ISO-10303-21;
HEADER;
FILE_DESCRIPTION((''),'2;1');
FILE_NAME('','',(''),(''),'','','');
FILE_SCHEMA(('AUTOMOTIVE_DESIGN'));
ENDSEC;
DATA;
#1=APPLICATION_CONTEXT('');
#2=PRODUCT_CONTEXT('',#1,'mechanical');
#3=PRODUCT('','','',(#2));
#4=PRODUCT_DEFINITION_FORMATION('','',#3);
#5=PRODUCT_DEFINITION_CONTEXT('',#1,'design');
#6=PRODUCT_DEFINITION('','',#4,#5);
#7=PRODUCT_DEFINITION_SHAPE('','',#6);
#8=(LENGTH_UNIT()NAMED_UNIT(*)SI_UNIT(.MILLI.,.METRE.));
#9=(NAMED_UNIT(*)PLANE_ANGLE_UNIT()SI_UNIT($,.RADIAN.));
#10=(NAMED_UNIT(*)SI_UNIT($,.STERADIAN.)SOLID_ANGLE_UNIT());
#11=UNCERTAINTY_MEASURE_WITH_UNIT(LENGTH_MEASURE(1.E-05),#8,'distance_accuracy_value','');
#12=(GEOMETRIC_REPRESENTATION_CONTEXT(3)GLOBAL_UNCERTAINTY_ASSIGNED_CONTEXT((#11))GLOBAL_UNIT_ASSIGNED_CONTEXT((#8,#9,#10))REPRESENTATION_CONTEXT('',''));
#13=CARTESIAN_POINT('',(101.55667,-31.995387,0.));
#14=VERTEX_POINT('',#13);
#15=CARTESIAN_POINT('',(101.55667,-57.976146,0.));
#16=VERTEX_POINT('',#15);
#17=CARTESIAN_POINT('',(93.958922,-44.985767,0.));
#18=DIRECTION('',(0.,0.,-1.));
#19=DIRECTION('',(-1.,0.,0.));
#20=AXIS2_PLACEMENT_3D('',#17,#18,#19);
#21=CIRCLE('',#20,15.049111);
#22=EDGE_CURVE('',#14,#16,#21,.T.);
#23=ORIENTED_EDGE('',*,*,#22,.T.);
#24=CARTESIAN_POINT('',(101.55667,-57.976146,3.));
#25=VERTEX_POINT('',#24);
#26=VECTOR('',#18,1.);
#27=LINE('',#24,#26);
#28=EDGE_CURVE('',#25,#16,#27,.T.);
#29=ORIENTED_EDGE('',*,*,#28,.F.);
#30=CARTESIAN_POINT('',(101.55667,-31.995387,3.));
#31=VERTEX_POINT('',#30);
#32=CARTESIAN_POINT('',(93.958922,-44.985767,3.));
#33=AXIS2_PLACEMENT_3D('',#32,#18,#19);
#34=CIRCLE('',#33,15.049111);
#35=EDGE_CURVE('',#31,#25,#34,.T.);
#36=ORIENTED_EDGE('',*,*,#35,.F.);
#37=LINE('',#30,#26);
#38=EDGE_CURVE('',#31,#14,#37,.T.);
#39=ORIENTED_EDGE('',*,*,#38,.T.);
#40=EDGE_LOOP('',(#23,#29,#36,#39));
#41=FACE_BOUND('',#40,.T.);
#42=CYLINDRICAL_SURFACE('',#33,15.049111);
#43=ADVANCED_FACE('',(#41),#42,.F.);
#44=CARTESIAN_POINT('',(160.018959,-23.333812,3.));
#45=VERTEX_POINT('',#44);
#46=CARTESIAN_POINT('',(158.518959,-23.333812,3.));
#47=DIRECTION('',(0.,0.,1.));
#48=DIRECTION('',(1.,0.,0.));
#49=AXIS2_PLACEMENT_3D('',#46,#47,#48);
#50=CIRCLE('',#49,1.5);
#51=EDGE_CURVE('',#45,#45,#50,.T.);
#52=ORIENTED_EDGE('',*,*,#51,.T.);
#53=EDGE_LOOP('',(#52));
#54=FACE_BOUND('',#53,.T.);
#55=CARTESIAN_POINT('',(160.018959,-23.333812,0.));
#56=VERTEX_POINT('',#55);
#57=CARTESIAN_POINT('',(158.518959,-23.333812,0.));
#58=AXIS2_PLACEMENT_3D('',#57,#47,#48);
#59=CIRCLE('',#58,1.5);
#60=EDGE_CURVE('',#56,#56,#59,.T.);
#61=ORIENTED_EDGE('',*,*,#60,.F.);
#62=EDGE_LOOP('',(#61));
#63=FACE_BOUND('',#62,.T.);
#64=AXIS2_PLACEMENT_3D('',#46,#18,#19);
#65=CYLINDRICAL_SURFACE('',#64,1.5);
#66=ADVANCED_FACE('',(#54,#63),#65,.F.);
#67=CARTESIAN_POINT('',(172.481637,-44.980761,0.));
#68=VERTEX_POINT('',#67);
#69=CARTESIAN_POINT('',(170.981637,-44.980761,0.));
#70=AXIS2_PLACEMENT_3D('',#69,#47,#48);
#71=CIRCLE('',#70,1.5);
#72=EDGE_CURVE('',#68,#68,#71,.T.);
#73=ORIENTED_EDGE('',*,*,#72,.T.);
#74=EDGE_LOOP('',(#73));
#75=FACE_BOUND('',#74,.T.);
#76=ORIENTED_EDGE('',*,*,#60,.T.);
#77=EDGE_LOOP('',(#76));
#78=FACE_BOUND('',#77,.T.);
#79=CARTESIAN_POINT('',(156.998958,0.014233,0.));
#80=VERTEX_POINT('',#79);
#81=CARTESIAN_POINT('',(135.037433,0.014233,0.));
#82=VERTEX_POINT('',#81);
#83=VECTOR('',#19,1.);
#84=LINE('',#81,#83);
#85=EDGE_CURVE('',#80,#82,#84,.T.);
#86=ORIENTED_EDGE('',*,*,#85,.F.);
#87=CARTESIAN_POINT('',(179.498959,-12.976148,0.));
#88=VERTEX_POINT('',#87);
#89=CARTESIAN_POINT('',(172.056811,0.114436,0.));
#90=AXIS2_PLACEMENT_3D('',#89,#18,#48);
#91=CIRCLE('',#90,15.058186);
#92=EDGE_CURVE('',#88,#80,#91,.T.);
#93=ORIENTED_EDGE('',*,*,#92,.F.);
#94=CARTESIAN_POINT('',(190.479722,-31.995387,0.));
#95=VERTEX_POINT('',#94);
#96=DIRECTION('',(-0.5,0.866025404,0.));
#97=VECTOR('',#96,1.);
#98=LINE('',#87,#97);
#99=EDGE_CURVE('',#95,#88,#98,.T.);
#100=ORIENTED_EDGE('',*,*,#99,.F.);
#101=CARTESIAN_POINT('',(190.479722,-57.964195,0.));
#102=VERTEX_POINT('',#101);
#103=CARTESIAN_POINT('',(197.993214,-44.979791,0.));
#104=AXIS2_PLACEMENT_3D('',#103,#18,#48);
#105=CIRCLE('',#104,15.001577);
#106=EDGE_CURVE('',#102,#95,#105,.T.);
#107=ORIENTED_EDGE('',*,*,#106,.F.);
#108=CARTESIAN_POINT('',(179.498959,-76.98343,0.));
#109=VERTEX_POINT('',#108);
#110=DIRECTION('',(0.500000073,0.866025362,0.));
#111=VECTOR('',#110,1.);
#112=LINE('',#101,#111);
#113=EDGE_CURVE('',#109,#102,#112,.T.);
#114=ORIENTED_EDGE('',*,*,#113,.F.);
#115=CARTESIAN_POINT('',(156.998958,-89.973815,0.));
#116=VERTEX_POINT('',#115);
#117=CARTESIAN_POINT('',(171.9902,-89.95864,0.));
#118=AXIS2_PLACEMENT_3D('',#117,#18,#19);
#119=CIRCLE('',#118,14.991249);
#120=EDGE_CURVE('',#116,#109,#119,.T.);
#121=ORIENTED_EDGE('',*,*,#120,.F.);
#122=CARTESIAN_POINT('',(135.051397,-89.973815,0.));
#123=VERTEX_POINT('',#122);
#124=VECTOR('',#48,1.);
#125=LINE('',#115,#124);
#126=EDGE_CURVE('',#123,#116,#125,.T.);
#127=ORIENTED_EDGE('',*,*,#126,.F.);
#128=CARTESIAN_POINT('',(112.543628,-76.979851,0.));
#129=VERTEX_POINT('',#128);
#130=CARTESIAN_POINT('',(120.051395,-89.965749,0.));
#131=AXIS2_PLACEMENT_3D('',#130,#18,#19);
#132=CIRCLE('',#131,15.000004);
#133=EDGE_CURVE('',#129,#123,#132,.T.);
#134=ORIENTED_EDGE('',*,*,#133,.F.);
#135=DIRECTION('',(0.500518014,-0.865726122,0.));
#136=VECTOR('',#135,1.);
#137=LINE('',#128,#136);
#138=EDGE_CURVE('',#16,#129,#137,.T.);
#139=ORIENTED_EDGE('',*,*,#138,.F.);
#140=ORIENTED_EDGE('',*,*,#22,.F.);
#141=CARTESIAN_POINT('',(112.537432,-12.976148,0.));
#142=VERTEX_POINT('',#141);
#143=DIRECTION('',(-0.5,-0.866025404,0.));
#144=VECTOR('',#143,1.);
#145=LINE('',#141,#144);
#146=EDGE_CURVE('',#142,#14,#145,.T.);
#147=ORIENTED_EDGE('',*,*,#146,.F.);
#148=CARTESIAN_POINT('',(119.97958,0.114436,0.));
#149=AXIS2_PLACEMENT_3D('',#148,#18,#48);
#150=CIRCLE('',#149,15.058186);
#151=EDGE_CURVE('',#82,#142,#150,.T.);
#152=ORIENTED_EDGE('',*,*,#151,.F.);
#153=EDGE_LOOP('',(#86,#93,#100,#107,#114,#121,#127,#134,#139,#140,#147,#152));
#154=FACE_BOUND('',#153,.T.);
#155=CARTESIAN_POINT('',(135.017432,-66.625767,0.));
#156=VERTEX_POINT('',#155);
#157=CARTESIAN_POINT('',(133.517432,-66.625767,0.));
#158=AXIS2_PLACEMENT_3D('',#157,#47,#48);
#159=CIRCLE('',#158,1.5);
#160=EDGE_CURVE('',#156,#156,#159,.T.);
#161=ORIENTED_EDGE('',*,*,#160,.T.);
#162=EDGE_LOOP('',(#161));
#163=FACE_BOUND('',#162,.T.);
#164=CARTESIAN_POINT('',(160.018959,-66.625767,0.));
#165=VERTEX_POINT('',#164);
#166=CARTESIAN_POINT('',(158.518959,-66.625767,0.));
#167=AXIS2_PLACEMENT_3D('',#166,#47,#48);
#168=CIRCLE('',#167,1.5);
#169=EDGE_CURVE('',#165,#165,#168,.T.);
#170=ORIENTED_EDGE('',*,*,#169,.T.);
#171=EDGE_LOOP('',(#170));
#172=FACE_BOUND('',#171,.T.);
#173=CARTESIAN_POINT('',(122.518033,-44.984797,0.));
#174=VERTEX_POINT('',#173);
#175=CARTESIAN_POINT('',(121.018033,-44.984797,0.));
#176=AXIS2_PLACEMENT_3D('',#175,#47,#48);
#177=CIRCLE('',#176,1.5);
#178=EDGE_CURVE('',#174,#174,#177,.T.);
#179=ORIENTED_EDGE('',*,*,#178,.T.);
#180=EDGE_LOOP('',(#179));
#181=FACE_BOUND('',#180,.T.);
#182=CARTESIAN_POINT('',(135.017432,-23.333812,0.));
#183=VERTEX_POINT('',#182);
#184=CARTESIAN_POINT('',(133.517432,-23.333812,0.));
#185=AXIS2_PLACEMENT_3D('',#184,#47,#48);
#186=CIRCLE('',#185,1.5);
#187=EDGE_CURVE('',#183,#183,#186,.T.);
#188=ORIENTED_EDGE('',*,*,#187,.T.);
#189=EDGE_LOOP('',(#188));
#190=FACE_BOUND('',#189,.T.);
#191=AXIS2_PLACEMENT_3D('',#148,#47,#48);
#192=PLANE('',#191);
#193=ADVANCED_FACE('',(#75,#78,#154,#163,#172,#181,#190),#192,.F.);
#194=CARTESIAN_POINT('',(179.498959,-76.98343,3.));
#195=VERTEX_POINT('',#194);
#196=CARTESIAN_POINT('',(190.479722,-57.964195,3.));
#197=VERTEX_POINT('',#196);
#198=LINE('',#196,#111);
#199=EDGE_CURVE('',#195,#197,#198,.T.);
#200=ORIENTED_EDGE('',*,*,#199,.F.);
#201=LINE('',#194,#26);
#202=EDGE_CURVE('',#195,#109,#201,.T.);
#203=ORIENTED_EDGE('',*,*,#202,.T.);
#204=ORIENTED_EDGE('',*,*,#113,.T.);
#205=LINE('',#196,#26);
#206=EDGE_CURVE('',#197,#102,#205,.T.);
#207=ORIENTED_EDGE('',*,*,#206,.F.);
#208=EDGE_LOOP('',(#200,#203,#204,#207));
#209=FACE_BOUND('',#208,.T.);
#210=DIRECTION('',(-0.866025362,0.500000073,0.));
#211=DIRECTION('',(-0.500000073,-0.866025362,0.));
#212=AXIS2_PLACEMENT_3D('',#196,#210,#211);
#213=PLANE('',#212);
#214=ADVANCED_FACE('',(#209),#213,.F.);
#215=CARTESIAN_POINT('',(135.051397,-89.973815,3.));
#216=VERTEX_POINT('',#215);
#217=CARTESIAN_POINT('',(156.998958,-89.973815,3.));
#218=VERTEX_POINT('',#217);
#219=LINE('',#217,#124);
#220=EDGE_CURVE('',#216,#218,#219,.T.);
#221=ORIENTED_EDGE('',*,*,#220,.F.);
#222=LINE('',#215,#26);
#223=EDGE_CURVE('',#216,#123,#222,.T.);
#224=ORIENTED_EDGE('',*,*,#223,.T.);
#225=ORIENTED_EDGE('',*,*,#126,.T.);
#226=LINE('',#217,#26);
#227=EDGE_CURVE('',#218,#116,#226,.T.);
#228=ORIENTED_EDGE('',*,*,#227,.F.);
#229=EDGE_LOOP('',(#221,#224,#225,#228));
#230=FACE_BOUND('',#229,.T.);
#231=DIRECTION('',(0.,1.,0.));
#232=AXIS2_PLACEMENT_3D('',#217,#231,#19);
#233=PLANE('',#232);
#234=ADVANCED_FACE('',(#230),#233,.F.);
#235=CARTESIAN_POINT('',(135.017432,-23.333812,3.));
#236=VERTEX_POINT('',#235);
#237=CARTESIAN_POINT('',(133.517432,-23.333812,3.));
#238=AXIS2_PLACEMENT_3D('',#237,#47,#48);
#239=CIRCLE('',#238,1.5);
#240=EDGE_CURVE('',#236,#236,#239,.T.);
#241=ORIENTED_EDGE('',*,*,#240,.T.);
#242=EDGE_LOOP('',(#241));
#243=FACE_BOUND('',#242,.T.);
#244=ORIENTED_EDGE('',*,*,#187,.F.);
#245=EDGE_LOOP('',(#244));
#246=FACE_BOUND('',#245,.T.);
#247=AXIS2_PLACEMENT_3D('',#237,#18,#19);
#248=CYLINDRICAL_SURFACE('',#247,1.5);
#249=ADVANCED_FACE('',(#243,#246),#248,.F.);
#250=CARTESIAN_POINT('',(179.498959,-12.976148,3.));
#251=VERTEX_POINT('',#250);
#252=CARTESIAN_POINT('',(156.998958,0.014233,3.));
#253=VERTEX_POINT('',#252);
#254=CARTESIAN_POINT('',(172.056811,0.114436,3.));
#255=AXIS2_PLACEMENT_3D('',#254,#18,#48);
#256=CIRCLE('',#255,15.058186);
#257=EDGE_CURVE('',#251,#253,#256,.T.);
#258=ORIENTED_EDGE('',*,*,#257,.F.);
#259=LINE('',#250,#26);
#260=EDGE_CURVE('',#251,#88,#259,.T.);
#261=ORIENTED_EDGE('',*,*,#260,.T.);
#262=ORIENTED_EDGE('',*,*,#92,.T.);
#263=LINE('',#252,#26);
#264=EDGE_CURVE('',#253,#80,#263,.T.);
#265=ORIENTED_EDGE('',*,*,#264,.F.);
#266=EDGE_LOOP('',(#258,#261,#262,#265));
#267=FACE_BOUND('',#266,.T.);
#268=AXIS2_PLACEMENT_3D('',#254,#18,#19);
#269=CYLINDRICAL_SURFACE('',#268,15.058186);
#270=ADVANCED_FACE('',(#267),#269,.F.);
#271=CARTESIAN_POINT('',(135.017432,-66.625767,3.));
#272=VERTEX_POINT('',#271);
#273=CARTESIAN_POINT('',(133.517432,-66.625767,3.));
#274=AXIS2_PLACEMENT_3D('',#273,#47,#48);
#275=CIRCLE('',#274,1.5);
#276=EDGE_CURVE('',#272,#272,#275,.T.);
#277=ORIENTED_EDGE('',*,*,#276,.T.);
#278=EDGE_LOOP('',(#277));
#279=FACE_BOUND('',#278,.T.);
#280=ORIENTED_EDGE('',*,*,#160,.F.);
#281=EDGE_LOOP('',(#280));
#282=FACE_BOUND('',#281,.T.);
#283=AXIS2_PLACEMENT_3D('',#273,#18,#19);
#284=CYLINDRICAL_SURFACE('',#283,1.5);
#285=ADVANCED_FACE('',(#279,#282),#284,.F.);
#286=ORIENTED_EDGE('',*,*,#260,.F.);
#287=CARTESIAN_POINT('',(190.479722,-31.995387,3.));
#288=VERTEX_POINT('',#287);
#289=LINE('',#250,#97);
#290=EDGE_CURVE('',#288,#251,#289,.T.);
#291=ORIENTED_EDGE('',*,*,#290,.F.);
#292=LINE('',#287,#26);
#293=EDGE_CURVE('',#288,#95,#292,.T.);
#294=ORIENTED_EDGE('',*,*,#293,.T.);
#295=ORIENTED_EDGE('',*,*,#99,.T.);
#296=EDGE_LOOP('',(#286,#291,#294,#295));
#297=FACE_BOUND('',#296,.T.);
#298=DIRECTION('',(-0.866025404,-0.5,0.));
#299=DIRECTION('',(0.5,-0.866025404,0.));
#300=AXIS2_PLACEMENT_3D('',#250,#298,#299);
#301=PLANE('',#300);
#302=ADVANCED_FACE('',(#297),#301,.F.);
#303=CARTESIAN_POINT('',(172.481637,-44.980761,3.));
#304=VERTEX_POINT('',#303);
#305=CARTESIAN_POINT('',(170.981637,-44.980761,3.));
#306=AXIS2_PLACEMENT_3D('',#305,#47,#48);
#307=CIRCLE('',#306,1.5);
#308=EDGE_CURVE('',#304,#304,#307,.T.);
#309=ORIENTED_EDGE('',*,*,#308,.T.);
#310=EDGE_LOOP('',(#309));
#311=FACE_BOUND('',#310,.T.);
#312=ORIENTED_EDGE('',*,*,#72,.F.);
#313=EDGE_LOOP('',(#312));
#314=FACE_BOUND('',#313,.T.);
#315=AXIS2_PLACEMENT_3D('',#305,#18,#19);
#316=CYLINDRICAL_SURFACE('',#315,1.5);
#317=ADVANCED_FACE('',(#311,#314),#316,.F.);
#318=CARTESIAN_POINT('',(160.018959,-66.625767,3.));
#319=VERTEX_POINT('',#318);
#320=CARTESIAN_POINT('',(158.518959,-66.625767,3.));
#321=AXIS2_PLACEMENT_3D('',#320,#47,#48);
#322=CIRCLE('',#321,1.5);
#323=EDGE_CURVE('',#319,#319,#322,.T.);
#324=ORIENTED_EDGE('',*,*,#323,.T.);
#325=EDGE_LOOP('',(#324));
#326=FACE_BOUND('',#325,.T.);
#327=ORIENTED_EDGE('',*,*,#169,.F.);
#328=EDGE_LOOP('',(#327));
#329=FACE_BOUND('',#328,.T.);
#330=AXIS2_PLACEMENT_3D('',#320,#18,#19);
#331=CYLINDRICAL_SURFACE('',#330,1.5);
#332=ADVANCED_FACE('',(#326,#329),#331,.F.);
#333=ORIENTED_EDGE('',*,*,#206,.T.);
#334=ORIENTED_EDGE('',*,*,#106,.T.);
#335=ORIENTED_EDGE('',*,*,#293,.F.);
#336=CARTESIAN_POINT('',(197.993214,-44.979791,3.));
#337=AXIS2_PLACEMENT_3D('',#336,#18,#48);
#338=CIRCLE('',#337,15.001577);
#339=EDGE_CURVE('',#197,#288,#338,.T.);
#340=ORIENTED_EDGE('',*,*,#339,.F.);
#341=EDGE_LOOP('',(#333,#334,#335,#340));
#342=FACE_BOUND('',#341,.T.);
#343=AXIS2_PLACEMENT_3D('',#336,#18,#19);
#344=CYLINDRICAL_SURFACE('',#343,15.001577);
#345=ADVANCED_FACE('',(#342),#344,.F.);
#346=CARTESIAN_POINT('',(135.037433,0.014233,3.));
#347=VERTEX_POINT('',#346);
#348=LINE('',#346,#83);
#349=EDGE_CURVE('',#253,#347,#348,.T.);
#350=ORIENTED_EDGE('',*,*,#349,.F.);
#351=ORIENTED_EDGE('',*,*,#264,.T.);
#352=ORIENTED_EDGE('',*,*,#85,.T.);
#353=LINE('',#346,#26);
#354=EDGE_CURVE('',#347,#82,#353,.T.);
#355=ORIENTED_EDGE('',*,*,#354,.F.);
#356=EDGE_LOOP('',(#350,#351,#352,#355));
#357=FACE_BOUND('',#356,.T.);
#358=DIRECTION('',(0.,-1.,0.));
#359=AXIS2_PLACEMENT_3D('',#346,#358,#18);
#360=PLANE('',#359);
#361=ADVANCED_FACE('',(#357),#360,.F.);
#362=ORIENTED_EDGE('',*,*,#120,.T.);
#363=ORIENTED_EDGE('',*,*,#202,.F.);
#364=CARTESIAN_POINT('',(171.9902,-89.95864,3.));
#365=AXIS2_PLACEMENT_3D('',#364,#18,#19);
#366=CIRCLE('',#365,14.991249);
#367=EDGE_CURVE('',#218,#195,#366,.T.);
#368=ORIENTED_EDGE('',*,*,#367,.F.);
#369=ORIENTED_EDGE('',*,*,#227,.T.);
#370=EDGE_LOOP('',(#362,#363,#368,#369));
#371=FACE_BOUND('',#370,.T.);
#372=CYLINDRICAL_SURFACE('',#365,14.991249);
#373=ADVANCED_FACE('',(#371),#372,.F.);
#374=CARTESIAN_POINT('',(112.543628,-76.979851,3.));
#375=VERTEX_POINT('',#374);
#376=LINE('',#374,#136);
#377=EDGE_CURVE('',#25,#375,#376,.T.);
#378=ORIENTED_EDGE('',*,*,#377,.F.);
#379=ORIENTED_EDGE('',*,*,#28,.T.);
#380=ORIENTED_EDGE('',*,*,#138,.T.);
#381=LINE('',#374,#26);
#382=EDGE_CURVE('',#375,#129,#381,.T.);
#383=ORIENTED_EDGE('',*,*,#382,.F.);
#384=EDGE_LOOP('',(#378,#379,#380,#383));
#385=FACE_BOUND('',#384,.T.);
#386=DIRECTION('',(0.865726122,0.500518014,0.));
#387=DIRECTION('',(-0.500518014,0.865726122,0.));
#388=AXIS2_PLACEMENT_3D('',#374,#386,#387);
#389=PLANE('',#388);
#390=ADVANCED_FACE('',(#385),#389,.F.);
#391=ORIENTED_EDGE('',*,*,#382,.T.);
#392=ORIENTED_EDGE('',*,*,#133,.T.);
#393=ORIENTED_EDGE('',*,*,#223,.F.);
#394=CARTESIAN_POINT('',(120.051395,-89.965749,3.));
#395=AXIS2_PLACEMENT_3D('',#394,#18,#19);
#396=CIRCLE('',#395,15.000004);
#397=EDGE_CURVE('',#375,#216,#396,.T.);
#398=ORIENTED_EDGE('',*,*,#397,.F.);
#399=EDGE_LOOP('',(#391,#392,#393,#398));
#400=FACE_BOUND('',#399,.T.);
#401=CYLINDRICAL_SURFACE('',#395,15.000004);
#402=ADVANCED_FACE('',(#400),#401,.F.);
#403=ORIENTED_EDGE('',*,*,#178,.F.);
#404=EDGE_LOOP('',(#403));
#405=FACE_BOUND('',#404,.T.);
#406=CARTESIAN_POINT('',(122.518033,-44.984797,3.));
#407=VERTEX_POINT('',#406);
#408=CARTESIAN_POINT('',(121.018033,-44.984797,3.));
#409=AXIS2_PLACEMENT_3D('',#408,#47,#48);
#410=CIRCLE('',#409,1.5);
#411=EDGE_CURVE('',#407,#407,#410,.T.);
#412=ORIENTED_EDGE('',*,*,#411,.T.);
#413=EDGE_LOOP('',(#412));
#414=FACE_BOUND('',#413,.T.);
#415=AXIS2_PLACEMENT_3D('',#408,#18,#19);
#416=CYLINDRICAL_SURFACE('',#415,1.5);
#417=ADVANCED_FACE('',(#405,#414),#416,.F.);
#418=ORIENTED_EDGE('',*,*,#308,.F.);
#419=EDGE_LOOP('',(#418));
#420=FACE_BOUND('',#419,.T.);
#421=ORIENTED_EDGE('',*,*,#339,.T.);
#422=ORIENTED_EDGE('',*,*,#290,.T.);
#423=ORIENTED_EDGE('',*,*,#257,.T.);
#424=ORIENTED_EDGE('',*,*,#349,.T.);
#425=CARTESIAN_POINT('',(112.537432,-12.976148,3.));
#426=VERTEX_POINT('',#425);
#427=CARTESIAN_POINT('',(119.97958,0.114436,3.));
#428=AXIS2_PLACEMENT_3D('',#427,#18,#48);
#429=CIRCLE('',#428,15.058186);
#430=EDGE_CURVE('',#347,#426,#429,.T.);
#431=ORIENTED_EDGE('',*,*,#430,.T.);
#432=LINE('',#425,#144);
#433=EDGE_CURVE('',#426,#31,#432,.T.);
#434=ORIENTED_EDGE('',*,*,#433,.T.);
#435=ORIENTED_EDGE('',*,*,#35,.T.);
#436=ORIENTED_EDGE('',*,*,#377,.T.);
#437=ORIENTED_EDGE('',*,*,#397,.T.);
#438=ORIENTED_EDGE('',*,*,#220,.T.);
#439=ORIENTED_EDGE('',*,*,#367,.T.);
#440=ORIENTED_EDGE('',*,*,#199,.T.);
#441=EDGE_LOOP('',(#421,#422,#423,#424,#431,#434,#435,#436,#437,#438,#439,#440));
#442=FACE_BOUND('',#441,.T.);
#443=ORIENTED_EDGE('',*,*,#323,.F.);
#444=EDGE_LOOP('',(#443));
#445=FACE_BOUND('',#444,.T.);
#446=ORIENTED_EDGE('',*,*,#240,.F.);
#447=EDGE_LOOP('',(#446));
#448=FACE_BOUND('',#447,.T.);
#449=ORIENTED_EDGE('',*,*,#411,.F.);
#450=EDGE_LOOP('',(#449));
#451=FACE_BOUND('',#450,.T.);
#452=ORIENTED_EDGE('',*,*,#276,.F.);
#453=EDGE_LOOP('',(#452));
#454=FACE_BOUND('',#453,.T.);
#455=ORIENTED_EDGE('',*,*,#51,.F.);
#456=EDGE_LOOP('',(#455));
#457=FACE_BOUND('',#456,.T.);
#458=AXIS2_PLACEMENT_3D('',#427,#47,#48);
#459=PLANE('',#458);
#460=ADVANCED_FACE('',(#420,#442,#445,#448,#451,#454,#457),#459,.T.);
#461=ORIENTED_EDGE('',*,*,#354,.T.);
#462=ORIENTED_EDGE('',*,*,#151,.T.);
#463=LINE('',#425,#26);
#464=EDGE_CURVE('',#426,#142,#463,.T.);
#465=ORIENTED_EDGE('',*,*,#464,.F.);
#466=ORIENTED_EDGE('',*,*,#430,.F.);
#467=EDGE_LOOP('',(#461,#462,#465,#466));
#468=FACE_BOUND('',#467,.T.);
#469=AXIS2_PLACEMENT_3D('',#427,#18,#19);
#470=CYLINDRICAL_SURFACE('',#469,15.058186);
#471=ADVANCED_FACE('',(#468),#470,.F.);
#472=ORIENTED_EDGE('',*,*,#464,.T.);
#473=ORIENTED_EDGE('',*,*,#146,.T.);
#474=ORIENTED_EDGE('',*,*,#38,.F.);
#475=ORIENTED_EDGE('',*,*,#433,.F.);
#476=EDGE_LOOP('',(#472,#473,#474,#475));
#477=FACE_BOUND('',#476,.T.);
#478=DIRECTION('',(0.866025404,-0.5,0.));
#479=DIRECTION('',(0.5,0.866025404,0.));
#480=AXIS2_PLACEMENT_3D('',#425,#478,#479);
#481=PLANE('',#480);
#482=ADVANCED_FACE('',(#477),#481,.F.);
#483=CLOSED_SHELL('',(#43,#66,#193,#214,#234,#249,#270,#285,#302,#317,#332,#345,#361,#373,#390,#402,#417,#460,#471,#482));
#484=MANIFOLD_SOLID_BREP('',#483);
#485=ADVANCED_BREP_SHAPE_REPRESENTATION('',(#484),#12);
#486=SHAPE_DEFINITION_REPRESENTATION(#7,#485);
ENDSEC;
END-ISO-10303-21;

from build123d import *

# Parameters (mm, degrees)
SKETCH1_R           = 1.5
BOSS_EXTRUDE2_DEPTH = 3


with BuildPart() as part:
    # Sketch1 → Boss-Extrude2 (new body)
    with BuildSketch(Plane.XY):
        with BuildLine():
            Line((112.537432292, -12.976148301), (101.55666974, -31.995386946))
            ThreePointArc((101.55666974, -31.995386946), (109.008032648, -44.985766658), (101.55666973, -57.976146364))
            Line((101.55666973, -57.976146364), (112.543627726, -76.979851074))
            ThreePointArc((112.543627726, -76.979851074), (127.551006282, -76.975139288), (135.051396662, -89.973815277))
            Line((135.051396662, -89.973815277), (156.998958278, -89.973815277))
            ThreePointArc((156.998958278, -89.973815277), (164.494573478, -76.975838492), (179.498959173, -76.983429983))
            Line((179.498959173, -76.983429983), (190.479721714, -57.964195058))
            ThreePointArc((190.479721714, -57.964195058), (182.991636989, -44.979791002), (190.479721714, -31.995386946))
            Line((190.479721714, -31.995386946), (179.498959162, -12.976148301))
            ThreePointArc((179.498959162, -12.976148301), (164.527718005, -12.926335496), (156.998958268, 0.014233268))
            Line((156.998958268, 0.014233268), (135.037433186, 0.014233268))
            ThreePointArc((135.037433186, 0.014233268), (127.508673453, -12.926335503), (112.537432292, -12.976148301))
        make_face()
        with Locations((133.517432282, -23.333812148)):
            Circle(SKETCH1_R, mode=Mode.SUBTRACT)
        with Locations((158.518959173, -23.333812148)):
            Circle(SKETCH1_R, mode=Mode.SUBTRACT)
        with Locations((170.981637028, -44.98076105)):
            Circle(SKETCH1_R, mode=Mode.SUBTRACT)
        with Locations((121.018032609, -44.98479661)):
            Circle(SKETCH1_R, mode=Mode.SUBTRACT)
        with Locations((158.518959173, -66.625766658)):
            Circle(SKETCH1_R, mode=Mode.SUBTRACT)
        with Locations((133.517432282, -66.625766658)):
            Circle(SKETCH1_R, mode=Mode.SUBTRACT)
    extrude(amount=BOSS_EXTRUDE2_DEPTH)


solid = part.part
